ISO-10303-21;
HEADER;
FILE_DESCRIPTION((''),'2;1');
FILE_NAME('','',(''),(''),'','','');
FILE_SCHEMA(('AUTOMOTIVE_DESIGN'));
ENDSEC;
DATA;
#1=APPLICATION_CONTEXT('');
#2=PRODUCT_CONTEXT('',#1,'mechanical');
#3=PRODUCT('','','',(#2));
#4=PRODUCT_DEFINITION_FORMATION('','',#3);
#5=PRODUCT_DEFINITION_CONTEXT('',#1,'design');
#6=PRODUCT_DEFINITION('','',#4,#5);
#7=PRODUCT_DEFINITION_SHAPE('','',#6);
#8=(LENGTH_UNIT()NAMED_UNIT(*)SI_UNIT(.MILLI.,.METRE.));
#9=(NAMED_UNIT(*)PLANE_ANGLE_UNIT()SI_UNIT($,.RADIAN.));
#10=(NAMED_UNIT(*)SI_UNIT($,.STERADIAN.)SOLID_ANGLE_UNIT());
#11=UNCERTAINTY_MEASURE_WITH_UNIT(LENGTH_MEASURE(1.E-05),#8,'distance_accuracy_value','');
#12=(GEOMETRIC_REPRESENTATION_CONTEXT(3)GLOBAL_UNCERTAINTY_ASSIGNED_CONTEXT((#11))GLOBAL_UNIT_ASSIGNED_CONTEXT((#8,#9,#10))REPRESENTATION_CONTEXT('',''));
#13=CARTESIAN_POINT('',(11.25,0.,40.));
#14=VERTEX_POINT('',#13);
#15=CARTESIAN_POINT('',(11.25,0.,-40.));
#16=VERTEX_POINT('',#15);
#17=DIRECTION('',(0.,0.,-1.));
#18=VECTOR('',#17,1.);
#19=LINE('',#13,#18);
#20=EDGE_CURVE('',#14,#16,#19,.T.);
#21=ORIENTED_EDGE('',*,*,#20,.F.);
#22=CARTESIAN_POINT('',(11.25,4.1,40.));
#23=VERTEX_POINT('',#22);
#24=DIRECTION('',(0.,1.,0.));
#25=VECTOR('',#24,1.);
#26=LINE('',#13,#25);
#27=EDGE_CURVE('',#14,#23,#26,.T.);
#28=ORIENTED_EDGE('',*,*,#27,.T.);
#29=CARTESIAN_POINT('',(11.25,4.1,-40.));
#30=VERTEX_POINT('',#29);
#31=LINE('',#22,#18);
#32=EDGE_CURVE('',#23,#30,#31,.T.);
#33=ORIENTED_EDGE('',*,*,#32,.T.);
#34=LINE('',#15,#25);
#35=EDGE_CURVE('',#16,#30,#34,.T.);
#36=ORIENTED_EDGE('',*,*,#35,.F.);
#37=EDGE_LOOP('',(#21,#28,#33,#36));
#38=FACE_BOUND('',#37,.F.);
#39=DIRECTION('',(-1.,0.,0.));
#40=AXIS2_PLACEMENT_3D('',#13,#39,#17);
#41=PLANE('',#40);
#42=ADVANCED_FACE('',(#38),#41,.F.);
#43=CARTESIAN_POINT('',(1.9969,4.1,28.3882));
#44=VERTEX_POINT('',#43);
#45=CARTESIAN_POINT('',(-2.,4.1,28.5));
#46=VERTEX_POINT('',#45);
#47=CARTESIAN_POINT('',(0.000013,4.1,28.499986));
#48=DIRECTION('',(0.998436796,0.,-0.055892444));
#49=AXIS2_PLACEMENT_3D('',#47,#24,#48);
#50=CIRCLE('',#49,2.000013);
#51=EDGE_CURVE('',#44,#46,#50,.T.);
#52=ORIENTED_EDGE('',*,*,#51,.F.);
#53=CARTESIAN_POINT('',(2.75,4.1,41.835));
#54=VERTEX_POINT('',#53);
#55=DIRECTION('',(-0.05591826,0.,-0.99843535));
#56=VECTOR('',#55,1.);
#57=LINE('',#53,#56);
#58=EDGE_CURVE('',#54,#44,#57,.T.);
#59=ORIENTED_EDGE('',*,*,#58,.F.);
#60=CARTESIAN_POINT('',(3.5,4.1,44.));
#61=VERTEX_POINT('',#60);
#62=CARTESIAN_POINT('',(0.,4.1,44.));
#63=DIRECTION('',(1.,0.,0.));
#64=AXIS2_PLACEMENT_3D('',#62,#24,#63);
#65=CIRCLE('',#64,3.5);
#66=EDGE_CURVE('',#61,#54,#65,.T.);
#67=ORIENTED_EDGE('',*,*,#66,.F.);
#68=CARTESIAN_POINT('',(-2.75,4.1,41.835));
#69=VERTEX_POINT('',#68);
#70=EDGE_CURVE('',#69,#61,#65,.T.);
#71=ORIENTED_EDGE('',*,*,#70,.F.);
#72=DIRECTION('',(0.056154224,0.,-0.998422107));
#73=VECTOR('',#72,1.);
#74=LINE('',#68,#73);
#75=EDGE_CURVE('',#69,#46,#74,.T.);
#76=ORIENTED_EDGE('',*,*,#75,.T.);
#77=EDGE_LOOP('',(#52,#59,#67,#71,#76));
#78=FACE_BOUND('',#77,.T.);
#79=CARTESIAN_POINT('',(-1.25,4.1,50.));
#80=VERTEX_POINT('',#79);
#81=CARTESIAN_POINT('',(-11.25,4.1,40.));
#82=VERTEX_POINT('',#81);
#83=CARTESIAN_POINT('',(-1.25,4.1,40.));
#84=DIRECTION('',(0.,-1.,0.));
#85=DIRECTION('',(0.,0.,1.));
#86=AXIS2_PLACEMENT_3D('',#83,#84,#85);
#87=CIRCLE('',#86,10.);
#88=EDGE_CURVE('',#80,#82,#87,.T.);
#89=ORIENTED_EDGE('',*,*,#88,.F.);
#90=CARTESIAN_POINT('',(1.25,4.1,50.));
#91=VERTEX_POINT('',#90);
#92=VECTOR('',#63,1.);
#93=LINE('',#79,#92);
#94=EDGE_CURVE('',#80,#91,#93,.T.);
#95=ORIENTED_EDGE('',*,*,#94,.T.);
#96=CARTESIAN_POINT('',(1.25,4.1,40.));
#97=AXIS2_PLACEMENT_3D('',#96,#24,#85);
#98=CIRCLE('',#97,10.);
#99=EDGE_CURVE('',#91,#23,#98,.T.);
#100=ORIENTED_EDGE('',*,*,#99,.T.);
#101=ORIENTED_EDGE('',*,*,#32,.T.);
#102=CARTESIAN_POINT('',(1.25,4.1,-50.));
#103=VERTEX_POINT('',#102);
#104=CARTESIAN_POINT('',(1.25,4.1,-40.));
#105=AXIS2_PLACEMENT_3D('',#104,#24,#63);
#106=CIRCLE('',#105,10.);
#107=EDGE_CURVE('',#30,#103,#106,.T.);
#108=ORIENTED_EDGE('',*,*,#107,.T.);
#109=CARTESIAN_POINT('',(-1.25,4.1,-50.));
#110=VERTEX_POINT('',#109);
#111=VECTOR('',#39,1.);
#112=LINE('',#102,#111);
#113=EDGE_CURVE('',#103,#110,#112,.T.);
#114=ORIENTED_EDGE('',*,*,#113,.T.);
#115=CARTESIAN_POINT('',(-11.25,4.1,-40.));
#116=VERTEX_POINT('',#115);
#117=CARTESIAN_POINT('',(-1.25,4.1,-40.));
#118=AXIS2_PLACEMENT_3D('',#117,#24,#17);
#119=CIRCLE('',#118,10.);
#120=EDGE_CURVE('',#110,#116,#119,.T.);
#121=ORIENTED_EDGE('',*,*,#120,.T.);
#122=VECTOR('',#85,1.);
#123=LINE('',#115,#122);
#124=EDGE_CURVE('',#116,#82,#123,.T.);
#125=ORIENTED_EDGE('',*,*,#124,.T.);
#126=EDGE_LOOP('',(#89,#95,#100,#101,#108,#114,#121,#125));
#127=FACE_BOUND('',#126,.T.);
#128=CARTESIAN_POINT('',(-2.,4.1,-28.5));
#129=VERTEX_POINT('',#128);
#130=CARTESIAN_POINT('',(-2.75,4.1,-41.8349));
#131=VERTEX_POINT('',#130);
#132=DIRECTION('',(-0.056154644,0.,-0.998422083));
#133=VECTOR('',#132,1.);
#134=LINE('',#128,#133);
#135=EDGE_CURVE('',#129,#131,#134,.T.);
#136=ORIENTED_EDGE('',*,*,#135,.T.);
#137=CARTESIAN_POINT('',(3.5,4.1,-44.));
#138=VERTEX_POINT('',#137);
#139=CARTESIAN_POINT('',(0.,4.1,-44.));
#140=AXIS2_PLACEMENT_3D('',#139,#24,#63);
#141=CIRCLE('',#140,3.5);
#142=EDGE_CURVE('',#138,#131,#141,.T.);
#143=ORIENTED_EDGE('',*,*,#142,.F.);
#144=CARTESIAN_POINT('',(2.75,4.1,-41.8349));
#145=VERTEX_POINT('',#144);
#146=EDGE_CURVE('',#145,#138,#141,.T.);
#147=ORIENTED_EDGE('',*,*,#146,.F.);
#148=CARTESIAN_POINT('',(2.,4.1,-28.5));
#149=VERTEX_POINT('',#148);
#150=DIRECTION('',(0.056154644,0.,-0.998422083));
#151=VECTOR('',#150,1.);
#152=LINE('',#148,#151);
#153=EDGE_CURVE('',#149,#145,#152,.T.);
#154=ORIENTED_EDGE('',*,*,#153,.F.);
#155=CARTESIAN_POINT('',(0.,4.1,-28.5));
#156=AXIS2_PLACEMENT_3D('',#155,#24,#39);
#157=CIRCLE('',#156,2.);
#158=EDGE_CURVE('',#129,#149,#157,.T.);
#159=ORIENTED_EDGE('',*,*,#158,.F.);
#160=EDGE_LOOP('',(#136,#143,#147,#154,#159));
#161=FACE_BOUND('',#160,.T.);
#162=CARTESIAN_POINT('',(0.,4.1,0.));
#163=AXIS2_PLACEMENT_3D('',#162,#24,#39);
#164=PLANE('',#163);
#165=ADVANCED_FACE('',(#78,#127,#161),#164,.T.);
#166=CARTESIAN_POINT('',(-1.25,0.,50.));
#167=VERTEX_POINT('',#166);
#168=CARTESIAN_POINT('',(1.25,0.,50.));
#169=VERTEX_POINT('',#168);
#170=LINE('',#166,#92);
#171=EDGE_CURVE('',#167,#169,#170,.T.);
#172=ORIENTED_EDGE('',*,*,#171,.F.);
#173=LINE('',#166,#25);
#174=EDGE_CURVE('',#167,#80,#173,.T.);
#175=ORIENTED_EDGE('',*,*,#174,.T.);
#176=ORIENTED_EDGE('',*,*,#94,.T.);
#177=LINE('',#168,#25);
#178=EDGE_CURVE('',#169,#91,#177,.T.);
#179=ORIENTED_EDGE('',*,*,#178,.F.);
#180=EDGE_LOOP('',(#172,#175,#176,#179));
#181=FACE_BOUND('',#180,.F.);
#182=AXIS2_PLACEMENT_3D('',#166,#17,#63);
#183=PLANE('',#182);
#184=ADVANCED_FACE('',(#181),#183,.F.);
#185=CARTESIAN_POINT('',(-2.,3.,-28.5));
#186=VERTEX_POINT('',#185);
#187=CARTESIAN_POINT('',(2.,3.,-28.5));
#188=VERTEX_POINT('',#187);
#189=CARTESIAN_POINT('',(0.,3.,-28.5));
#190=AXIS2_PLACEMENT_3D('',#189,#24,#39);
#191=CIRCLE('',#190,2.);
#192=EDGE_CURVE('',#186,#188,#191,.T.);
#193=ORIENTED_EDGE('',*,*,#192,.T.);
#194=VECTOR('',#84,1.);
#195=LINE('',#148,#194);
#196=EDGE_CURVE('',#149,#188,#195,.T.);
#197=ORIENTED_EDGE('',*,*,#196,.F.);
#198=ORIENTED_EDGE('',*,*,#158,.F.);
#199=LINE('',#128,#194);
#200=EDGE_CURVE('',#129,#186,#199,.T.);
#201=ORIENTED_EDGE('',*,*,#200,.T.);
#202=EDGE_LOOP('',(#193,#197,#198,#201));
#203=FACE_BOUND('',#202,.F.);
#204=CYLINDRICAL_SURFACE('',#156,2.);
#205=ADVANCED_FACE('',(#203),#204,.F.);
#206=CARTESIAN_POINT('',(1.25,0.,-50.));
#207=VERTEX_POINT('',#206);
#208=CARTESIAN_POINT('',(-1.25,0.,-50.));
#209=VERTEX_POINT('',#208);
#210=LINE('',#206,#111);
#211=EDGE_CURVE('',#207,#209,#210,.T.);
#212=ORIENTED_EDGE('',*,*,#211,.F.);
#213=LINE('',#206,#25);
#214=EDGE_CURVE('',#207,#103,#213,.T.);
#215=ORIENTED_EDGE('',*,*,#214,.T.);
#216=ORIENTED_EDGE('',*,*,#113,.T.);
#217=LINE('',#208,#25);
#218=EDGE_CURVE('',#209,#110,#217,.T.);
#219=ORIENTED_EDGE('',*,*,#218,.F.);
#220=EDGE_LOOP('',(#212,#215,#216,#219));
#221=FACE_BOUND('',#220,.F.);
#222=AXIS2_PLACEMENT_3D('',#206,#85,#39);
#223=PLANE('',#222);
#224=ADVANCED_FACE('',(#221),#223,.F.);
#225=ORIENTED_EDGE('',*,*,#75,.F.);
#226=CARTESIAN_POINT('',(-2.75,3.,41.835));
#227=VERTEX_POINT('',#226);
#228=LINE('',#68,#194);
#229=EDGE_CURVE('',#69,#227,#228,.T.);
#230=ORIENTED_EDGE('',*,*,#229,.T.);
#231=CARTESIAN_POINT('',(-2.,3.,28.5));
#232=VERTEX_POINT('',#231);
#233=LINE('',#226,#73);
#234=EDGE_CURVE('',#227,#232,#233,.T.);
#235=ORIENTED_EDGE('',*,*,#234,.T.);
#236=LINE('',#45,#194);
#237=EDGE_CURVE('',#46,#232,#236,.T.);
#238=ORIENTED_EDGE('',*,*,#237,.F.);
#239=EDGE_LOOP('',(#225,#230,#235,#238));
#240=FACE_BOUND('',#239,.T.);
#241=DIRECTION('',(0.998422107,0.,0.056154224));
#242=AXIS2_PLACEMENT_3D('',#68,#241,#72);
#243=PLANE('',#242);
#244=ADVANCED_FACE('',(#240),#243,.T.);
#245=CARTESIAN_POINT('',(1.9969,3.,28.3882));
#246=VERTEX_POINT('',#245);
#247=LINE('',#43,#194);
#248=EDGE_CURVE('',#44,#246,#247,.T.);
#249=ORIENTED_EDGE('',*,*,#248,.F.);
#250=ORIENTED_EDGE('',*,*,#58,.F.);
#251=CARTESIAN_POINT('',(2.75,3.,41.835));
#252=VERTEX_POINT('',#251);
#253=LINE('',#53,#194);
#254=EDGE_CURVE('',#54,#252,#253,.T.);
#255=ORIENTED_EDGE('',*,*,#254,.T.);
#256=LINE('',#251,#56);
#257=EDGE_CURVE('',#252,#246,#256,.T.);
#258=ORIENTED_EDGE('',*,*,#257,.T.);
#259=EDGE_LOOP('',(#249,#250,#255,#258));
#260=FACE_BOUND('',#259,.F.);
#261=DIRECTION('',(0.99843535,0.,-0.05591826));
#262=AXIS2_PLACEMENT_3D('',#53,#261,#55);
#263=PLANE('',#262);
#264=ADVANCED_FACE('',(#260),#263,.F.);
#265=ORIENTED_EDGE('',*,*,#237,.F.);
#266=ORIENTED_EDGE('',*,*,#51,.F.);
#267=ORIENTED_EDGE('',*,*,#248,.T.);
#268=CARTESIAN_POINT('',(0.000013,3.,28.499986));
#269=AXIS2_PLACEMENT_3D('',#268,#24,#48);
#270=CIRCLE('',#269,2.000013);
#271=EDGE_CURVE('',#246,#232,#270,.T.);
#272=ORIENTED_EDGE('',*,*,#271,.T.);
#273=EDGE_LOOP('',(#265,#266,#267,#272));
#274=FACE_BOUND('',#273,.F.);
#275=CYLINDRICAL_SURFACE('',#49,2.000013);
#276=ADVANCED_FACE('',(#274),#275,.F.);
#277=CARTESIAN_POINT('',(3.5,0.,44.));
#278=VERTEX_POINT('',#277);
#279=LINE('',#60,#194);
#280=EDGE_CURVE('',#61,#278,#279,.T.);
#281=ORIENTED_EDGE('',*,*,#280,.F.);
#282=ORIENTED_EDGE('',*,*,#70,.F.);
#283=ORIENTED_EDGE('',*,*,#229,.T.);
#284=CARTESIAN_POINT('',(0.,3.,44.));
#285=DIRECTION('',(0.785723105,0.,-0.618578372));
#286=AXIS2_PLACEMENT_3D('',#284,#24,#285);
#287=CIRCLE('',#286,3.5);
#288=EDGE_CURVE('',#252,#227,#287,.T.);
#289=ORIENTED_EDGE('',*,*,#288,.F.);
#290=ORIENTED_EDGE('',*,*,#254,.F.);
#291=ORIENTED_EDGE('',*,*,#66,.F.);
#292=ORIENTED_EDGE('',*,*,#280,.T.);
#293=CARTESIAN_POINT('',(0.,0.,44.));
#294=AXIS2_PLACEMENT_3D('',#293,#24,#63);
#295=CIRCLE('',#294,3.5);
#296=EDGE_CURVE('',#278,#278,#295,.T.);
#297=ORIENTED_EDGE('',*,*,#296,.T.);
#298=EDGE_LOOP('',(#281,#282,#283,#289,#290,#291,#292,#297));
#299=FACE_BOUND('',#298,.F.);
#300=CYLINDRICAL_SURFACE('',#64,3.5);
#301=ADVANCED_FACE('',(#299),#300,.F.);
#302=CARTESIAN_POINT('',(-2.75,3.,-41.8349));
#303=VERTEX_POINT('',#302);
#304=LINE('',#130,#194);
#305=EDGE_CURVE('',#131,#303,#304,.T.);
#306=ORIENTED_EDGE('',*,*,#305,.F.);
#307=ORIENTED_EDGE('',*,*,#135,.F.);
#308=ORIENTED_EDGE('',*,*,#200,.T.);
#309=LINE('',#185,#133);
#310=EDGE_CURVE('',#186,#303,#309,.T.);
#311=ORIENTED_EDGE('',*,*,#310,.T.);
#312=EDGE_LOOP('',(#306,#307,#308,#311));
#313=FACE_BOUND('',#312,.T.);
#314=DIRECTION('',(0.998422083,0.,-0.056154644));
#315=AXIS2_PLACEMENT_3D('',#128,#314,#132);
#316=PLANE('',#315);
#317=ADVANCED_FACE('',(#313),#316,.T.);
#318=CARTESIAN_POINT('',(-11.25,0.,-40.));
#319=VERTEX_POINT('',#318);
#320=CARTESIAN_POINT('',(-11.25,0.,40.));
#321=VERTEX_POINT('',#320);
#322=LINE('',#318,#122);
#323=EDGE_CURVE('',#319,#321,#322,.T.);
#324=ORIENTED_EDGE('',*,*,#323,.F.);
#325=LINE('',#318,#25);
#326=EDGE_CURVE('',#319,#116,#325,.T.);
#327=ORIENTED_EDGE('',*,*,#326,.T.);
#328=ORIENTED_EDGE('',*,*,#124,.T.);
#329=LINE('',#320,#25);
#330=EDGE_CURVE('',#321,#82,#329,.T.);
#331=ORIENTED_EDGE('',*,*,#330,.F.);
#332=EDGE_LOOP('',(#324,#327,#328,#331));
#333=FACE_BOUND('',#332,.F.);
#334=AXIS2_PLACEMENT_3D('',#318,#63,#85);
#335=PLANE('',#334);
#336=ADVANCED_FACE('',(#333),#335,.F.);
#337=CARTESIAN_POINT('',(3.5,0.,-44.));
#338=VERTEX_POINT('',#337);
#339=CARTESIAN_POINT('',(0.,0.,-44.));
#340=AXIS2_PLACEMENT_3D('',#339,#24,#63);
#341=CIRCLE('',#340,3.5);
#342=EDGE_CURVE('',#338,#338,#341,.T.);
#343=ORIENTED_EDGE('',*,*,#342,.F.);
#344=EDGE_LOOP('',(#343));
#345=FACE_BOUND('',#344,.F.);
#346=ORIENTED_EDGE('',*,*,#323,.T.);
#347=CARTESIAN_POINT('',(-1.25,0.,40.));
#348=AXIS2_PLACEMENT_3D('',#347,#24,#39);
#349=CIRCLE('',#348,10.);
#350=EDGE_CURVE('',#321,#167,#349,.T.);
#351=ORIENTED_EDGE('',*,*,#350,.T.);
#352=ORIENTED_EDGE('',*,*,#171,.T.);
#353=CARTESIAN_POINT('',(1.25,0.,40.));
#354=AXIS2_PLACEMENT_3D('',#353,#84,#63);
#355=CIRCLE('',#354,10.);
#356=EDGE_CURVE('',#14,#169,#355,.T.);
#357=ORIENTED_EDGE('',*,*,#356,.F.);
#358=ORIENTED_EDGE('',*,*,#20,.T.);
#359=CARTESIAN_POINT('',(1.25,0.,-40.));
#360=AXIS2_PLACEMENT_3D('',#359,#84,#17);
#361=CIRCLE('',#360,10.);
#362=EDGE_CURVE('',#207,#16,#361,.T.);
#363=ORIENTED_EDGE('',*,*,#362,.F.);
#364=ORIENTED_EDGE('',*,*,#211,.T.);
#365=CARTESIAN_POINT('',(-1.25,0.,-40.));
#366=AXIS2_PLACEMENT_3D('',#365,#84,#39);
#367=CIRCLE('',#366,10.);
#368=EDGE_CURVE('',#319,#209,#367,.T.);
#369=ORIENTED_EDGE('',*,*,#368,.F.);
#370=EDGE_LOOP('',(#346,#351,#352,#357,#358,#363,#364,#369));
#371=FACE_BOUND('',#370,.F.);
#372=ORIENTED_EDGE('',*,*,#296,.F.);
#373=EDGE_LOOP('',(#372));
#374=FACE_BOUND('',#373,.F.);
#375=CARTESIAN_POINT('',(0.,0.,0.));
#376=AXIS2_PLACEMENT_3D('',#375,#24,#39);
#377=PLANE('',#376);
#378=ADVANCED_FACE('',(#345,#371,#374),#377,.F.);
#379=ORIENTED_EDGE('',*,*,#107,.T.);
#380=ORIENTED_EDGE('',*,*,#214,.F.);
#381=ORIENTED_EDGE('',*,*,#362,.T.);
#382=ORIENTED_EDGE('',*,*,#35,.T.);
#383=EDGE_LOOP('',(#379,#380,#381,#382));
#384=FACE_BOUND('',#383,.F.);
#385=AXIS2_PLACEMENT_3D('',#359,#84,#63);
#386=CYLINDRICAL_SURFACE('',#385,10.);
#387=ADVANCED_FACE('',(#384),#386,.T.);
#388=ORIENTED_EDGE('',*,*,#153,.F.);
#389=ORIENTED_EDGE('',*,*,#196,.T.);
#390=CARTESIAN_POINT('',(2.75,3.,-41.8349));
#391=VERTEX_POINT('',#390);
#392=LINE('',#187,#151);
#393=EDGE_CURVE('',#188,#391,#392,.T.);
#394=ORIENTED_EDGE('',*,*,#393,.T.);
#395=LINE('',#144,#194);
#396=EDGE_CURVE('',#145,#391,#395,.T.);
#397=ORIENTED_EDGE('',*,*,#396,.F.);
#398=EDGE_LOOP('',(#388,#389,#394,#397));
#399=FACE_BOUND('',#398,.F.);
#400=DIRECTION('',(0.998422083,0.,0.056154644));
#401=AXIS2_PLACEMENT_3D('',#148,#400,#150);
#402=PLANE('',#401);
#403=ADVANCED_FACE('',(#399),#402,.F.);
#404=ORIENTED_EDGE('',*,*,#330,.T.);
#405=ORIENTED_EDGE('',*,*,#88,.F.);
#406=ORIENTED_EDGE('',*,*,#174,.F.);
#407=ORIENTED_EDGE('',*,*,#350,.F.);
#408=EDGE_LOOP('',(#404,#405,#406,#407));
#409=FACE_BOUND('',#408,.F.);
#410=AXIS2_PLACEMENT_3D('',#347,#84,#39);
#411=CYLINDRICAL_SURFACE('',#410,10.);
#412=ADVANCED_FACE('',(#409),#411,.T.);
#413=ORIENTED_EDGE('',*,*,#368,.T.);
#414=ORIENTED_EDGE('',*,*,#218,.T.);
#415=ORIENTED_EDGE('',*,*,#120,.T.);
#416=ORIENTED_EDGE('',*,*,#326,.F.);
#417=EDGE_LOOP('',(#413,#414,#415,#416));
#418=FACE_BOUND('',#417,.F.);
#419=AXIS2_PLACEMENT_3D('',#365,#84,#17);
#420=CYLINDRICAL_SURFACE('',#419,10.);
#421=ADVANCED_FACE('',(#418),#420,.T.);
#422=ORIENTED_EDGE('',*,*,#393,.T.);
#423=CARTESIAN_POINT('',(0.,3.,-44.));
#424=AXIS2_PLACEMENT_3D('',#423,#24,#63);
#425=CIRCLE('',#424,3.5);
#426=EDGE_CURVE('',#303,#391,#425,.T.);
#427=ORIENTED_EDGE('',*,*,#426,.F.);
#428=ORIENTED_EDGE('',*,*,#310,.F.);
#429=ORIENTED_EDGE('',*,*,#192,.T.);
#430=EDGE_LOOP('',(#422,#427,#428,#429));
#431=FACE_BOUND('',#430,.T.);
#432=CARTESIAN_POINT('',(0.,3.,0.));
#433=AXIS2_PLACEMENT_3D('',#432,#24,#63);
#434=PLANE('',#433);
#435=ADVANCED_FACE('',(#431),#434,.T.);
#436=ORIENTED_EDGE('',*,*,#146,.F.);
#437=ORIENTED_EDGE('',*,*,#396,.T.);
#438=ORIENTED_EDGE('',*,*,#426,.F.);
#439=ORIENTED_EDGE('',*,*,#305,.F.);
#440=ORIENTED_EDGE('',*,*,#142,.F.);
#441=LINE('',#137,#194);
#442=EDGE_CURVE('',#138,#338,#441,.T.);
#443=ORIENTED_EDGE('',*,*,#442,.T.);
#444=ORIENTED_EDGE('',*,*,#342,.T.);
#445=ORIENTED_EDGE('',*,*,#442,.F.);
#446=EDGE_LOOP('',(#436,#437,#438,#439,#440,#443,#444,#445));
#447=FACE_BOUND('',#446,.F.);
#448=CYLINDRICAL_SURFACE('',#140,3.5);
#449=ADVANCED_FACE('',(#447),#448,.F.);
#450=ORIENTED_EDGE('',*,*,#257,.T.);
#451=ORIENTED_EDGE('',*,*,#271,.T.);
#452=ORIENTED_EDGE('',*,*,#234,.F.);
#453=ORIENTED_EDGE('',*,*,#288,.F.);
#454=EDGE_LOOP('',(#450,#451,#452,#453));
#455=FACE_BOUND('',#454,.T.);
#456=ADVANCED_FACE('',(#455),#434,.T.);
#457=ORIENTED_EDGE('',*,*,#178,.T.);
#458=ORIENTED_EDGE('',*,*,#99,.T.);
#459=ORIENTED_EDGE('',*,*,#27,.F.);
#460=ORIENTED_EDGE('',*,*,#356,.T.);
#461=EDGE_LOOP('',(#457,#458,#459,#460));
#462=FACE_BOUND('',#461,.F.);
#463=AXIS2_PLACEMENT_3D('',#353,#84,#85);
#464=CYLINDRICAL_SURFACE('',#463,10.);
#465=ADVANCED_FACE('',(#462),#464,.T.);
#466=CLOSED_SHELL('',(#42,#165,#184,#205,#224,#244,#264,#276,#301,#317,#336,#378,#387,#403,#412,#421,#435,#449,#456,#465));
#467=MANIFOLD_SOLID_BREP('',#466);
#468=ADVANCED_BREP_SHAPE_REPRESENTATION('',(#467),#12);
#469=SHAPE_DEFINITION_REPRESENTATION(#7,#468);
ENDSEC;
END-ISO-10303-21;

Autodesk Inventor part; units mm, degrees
ref_plane "YZ Plane" through (0, 0, 0) normal (1, 0, 0) x (0, 1, 0)
ref_plane "XZ Plane" through (0, 0, 0) normal (0, 1, 0) x (-1, 0, 0)
ref_plane "XY Plane" through (0, 0, 0) normal (0, 0, 1) x (1, 0, 0)
sketch "Szkic1" plane through (0, 0, 0) normal (0, 1, 0) x (-1, 0, 0)
  line L0 (1.25, 50) -> (-1.25, 50)
  line L1 (-11.25, 40) -> (-11.25, -40)
  line L2 (-1.25, -50) -> (1.25, -50)
  line L3 (11.25, -40) -> (11.25, 40)
  line L4 (11.25, 50) -> (-11.25, -50)
  line L5 (11.25, -50) -> (-11.25, 50)
  arc A0 (11.25, 40) -> (1.25, 50) centre (1.25, 40) ccw
  arc A1 (-1.25, 50) -> (-11.25, 40) centre (-1.25, 40) ccw
  arc A2 (1.25, -50) -> (11.25, -40) centre (1.25, -40) ccw
  arc A3 (-11.25, -40) -> (-1.25, -50) centre (-1.25, -40) ccw
  point P0 (0, 0)
  point P1 (0, 0)
  dimension "d0" = 22.5
  dimension "d1" = 100
  dimension "d2" = 10
extrude "Wyciągnięcie proste1" add sketch "Szkic1" along normal blind 4.1
sketch "Szkic2" plane through (0, 4.1, 0) normal (0, 1, 0) x (1, 0, 0)
  circle A0 centre (0, 44) radius 3.5
  line L0 (1.25, 50) -> (-1.25, 50) projected
  point P0 (0, 0)
  point P1 (0, 50)
  dimension "d5" = 7
  dimension "d14" = 6
extrude "Wyciągnięcie proste2" cut sketch "Szkic2" against normal blind 8
sketch "Szkic3" plane through (0, 4.1, 0) normal (0, 1, 0) x (1, 0, 0)
  line L0 (0, 47.5) -> (0, 28.5)
  arc A0 (-2, 28.5) -> (2, 28.5) centre (0, 28.5) ccw
  line L1 (-2.75, 41.8349) -> (0, 41.8349)
  line L2 (1.25, 50) -> (-1.25, 50) projected
  line L3 (-2, 28.5) -> (-2.75, 41.8349)
  line L4 (2, 28.5) -> (2.75, 41.8349)
  line L5 (0, 41.8349) -> (2.75, 41.8349)
  circle A1 centre (0, 44) radius 3.5 projected
  point P0 (0, 0)
  point P1 (0, 50)
  dimension "d8" = 19
  dimension "d10" = 5.5
  dimension "d22" = 13.3349
extrude "Wyciągnięcie proste3" cut sketch "Szkic3" against normal blind 1.1 contours L5 A1 L0 | L0 A1 L1 | A1 L4 A0 L3 picked at (1.6483, 41.6479) picked at (-1.6483, 41.6479)
sketch "Szkic4" plane through (0, 4.1, 0) normal (0, 1, 0) x (1, 0, 0)
  circle A0 centre (0, -44) radius 3.5
  line L0 (-1.25, -50) -> (1.25, -50) projected
  point P0 (0, 0)
  point P1 (0, -50)
  dimension "d15" = 7
  dimension "d16" = 6
extrude "Wyciągnięcie proste4" cut sketch "Szkic4" against normal blind 10
sketch "Szkic7" plane through (0, 4.1, 0) normal (0, 1, 0) x (1, 0, 0)
  line L0 (-1.25, -50) -> (1.25, -50) projected
  line L1 (0, -50) -> (0, -28.5)
  line L2 (0, -50) -> (0, -41.835)
  line L3 (0, -28.5) -> (0, -41.835)
  circle A0 centre (0, -44) radius 3.5 projected
  line L4 (-2.75, -41.835) -> (2.75, -41.835)
  line L5 (-2.75, -41.835) -> (-2, -28.5)
  line L6 (2.75, -41.835) -> (1.9969, -28.3882)
  arc A1 (1.9969, -28.3882) -> (-2, -28.5) centre (0, -28.5) ccw
  point P0 (0, 0)
  dimension "d19" = 21.5
  dimension "d24" = 13.335
  dimension "d25" = 5.5001
extrude "Wyciągnięcie proste5" cut sketch "Szkic7" against normal blind 1.1 contours L5 A1 L6 A0
properties part number "arm_big_part"
